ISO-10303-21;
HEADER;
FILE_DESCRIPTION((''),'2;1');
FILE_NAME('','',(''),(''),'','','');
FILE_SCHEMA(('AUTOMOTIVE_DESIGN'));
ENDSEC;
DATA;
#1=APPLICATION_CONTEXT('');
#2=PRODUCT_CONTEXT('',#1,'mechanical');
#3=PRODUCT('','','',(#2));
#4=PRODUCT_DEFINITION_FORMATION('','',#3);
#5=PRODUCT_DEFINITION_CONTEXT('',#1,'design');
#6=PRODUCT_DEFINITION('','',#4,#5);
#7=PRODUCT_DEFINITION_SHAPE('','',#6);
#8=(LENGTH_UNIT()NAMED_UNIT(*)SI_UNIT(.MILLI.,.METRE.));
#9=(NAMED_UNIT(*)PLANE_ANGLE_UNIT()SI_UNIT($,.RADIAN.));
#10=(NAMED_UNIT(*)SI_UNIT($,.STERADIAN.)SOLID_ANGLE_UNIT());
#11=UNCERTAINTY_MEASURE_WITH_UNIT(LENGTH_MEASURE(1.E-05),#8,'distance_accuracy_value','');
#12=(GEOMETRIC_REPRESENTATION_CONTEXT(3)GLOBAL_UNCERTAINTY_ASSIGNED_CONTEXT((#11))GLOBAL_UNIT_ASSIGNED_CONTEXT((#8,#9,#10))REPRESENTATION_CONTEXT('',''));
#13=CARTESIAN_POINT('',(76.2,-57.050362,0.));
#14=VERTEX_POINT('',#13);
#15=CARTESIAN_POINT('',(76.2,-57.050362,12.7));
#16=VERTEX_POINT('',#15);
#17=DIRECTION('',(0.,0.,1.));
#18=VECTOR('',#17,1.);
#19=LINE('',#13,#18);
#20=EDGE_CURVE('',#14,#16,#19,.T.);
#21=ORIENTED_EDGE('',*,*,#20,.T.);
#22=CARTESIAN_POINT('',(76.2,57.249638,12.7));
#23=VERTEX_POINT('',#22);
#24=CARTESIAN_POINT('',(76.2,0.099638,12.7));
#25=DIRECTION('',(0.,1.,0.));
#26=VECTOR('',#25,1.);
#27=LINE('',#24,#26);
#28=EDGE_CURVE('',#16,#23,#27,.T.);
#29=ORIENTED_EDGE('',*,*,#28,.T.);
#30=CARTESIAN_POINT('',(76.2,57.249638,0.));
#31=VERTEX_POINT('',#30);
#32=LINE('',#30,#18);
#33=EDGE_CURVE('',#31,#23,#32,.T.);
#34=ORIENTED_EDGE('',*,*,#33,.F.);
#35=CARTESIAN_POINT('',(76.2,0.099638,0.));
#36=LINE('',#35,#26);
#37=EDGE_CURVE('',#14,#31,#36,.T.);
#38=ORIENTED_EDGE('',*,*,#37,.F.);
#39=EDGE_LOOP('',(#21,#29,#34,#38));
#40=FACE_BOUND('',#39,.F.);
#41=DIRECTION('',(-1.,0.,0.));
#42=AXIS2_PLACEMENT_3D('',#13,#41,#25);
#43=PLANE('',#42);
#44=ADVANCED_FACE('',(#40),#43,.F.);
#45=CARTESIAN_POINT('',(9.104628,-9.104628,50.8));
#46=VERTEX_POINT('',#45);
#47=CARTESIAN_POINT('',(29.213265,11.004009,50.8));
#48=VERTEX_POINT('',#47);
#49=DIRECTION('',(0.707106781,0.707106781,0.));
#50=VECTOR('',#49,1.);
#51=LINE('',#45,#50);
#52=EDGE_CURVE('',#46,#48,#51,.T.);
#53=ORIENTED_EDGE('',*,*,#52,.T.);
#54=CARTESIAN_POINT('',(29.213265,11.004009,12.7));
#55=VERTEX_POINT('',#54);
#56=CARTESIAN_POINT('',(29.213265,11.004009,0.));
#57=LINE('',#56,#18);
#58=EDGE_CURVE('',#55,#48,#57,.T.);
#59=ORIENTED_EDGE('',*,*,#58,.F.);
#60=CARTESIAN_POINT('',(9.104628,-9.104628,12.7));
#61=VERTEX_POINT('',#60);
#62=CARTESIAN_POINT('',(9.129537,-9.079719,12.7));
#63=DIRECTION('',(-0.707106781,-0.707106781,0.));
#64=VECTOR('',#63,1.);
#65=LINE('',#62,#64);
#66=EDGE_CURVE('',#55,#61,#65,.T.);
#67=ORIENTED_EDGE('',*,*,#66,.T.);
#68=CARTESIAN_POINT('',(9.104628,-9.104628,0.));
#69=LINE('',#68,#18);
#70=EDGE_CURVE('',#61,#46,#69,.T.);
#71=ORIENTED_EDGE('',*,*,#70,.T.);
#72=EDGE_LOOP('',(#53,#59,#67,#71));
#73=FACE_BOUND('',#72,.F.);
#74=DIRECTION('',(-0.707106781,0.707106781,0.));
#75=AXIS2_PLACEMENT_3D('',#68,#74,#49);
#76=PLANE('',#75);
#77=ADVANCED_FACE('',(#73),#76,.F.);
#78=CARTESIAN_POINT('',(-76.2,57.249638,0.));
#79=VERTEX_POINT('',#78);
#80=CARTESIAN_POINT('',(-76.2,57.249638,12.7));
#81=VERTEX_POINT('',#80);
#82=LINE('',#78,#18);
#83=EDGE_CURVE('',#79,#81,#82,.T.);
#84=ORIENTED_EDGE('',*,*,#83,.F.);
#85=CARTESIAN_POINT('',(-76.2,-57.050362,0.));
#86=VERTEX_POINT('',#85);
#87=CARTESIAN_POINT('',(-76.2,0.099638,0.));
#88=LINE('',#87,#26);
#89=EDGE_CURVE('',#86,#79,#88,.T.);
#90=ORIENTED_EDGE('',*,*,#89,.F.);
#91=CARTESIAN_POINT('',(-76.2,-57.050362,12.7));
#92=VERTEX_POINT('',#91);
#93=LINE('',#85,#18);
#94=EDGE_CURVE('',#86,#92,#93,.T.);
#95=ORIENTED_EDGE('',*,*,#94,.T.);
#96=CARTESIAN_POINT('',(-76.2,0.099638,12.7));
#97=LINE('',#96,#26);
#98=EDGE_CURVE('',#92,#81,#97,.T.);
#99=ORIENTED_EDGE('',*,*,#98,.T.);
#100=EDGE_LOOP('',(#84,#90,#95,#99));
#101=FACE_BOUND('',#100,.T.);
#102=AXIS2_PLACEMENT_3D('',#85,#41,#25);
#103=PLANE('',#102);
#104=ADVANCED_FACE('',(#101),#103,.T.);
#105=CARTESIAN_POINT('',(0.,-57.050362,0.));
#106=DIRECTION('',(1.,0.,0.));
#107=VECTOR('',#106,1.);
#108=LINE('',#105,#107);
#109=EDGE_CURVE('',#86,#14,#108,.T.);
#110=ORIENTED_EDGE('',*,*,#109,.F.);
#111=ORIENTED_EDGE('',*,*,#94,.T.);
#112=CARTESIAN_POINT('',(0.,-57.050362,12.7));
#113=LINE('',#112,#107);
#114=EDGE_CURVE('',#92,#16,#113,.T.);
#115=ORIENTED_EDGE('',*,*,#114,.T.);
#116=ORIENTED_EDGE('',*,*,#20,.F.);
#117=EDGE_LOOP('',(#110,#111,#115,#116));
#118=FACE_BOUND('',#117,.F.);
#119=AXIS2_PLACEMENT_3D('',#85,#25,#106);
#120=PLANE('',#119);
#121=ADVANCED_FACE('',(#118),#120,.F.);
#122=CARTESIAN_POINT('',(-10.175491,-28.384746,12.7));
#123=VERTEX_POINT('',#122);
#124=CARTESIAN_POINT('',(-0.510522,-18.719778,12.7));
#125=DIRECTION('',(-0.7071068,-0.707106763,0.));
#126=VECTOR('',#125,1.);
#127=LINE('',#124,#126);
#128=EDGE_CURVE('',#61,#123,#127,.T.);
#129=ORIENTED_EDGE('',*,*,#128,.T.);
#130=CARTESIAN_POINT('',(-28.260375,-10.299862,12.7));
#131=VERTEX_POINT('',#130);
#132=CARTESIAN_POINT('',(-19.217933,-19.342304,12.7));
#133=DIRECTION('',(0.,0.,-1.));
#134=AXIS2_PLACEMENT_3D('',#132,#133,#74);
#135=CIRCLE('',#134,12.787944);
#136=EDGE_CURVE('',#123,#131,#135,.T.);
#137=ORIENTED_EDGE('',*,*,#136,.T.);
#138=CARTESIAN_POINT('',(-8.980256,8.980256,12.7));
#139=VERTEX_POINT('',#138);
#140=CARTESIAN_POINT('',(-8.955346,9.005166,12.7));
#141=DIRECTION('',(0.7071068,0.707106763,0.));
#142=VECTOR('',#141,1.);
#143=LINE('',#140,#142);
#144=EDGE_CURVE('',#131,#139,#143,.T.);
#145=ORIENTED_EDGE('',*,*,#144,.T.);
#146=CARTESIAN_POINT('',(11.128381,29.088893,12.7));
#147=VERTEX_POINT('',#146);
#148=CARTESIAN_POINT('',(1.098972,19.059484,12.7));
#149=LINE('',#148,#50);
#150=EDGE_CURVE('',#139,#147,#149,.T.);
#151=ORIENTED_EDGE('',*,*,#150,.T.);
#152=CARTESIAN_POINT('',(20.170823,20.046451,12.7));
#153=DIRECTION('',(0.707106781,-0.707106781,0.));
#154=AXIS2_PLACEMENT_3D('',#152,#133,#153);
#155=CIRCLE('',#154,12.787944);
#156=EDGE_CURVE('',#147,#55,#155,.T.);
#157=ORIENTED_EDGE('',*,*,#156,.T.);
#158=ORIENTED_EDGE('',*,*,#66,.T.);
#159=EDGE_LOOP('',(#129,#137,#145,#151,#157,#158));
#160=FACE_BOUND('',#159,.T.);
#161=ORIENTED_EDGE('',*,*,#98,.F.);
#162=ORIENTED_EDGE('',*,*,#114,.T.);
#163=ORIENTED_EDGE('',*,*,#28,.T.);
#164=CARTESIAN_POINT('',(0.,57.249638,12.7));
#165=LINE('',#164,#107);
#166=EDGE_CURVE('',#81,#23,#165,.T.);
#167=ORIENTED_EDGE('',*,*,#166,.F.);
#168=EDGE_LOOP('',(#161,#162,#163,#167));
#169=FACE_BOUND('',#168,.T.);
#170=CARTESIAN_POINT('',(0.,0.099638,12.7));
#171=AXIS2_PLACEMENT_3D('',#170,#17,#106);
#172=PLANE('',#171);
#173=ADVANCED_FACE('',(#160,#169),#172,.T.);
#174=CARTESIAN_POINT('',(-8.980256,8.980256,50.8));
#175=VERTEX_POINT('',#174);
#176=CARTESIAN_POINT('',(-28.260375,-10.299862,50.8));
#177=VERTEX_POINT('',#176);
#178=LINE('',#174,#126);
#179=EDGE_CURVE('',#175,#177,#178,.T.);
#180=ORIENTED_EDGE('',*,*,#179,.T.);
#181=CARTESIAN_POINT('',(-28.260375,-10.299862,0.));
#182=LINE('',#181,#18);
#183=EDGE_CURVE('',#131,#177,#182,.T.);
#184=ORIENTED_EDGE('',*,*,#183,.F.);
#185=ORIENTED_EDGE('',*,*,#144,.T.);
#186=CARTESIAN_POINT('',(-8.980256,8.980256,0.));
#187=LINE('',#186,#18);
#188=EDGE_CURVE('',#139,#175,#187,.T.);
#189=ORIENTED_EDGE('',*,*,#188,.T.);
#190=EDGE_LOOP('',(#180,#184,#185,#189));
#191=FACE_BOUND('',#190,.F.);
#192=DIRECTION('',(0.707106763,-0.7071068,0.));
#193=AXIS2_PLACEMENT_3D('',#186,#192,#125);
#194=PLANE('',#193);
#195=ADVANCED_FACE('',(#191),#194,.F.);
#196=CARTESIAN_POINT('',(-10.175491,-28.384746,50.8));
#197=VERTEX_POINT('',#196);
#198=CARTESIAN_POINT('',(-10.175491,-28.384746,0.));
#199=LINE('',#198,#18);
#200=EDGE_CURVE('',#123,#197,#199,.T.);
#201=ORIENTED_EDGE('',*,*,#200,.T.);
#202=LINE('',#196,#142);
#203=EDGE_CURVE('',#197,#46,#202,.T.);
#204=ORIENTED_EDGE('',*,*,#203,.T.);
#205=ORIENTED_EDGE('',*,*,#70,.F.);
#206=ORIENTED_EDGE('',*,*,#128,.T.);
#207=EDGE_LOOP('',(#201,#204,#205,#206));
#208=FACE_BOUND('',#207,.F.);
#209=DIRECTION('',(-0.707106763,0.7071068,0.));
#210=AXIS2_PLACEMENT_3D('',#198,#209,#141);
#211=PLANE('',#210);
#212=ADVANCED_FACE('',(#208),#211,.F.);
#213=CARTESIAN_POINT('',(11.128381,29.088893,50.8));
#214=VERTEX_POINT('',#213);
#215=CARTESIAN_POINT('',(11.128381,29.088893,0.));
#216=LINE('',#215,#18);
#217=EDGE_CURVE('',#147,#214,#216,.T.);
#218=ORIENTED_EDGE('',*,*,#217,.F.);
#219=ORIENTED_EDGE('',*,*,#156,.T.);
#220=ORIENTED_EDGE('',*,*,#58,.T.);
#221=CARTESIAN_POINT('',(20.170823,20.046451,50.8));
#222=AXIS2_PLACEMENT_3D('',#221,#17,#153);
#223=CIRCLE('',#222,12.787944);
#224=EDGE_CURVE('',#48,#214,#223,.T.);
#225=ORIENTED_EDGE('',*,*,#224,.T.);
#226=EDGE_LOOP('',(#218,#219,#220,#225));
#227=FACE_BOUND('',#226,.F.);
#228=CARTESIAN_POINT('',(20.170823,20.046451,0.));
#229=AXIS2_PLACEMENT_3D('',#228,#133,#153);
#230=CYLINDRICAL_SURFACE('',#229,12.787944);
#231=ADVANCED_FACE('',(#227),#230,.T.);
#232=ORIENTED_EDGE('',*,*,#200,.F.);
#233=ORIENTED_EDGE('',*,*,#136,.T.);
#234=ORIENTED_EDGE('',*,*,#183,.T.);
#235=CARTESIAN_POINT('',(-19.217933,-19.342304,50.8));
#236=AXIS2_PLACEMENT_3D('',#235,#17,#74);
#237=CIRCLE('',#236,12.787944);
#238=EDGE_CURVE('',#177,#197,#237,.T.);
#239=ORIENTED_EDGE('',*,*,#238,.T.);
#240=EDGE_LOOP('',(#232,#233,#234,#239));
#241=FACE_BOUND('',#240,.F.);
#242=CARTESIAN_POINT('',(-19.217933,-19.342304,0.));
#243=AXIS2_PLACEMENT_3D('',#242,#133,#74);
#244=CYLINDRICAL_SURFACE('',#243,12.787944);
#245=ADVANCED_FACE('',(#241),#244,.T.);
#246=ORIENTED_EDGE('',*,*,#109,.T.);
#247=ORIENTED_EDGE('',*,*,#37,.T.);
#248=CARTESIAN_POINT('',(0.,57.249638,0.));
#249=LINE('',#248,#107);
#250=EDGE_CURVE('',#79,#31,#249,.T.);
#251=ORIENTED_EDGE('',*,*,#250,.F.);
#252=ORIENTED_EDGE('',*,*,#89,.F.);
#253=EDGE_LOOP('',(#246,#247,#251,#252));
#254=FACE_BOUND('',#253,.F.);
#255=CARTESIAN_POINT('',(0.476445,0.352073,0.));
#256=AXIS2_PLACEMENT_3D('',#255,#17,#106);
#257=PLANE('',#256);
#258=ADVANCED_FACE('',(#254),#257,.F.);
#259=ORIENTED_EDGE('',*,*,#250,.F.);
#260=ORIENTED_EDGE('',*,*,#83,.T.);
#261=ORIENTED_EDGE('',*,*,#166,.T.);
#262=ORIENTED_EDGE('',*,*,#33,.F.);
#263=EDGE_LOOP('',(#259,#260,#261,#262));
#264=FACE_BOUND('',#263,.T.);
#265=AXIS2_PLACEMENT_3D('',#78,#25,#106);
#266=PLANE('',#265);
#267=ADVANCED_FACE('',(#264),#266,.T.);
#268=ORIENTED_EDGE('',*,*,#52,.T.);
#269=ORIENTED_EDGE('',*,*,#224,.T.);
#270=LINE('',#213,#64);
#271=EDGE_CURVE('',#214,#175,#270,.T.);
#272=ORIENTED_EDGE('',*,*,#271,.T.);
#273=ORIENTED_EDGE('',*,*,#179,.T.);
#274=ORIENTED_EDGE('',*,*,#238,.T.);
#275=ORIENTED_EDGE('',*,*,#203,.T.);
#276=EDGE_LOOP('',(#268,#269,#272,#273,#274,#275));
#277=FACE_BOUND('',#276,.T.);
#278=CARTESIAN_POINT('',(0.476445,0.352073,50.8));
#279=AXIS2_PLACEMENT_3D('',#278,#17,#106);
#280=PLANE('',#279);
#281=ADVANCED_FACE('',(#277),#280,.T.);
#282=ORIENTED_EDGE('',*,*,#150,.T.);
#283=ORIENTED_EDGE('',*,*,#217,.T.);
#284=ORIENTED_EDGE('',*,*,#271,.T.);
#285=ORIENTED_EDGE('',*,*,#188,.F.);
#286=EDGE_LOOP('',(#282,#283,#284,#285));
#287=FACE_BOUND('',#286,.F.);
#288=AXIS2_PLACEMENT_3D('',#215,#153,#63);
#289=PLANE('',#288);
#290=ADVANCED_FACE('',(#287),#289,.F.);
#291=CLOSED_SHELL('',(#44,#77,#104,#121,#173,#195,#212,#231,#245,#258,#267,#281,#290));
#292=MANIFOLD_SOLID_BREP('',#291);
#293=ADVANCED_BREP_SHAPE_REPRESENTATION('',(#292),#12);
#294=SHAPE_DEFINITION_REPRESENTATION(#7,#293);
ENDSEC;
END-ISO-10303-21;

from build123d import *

# Parameters (mm, degrees)
F0_W     = 152.4
F0_H     = 114.3
F1_DEPTH = 12.7
F2_DEPTH = 50.8


with BuildPart() as f1:
    # F0 (on Top) → F1 (new body)
    with BuildSketch(Plane.XY):
        with Locations((0, 0.099638)):
            Rectangle(F0_W, F0_H)
        with BuildLine():
            Line((-28.260375, -10.299862), (-8.980256, 8.980256))
            Line((-8.980256, 8.980256), (11.128381, 29.088893))
            ThreePointArc((11.128381, 29.088893), (29.213265, 29.088893), (29.213265, 11.004009))
            Line((29.213265, 11.004009), (9.104628, -9.104628))
            Line((9.104628, -9.104628), (-10.175491, -28.384746))
            ThreePointArc((-10.175491, -28.384746), (-28.260375, -28.384746), (-28.260375, -10.299862))
        make_face(mode=Mode.SUBTRACT)
        with BuildLine():
            Line((11.128381, 29.088893), (-8.980256, 8.980256))
            Line((-8.980256, 8.980256), (-28.260375, -10.299862))
            ThreePointArc((-28.260375, -10.299862), (-28.260375, -28.384746), (-10.175491, -28.384746))
            Line((-10.175491, -28.384746), (9.104628, -9.104628))
            Line((9.104628, -9.104628), (29.213265, 11.004009))
            ThreePointArc((29.213265, 11.004009), (29.213265, 29.088893), (11.128381, 29.088893))
        make_face()
    extrude(amount=F1_DEPTH)

    # F0 (on Top) → F2 (join)
    with BuildSketch(Plane.XY):
        with BuildLine():
            Line((11.128381, 29.088893), (-8.980256, 8.980256))
            Line((-8.980256, 8.980256), (-28.260375, -10.299862))
            ThreePointArc((-28.260375, -10.299862), (-28.260375, -28.384746), (-10.175491, -28.384746))
            Line((-10.175491, -28.384746), (9.104628, -9.104628))
            Line((9.104628, -9.104628), (29.213265, 11.004009))
            ThreePointArc((29.213265, 11.004009), (29.213265, 29.088893), (11.128381, 29.088893))
        make_face()
    extrude(amount=F2_DEPTH)


solid = f1.part
